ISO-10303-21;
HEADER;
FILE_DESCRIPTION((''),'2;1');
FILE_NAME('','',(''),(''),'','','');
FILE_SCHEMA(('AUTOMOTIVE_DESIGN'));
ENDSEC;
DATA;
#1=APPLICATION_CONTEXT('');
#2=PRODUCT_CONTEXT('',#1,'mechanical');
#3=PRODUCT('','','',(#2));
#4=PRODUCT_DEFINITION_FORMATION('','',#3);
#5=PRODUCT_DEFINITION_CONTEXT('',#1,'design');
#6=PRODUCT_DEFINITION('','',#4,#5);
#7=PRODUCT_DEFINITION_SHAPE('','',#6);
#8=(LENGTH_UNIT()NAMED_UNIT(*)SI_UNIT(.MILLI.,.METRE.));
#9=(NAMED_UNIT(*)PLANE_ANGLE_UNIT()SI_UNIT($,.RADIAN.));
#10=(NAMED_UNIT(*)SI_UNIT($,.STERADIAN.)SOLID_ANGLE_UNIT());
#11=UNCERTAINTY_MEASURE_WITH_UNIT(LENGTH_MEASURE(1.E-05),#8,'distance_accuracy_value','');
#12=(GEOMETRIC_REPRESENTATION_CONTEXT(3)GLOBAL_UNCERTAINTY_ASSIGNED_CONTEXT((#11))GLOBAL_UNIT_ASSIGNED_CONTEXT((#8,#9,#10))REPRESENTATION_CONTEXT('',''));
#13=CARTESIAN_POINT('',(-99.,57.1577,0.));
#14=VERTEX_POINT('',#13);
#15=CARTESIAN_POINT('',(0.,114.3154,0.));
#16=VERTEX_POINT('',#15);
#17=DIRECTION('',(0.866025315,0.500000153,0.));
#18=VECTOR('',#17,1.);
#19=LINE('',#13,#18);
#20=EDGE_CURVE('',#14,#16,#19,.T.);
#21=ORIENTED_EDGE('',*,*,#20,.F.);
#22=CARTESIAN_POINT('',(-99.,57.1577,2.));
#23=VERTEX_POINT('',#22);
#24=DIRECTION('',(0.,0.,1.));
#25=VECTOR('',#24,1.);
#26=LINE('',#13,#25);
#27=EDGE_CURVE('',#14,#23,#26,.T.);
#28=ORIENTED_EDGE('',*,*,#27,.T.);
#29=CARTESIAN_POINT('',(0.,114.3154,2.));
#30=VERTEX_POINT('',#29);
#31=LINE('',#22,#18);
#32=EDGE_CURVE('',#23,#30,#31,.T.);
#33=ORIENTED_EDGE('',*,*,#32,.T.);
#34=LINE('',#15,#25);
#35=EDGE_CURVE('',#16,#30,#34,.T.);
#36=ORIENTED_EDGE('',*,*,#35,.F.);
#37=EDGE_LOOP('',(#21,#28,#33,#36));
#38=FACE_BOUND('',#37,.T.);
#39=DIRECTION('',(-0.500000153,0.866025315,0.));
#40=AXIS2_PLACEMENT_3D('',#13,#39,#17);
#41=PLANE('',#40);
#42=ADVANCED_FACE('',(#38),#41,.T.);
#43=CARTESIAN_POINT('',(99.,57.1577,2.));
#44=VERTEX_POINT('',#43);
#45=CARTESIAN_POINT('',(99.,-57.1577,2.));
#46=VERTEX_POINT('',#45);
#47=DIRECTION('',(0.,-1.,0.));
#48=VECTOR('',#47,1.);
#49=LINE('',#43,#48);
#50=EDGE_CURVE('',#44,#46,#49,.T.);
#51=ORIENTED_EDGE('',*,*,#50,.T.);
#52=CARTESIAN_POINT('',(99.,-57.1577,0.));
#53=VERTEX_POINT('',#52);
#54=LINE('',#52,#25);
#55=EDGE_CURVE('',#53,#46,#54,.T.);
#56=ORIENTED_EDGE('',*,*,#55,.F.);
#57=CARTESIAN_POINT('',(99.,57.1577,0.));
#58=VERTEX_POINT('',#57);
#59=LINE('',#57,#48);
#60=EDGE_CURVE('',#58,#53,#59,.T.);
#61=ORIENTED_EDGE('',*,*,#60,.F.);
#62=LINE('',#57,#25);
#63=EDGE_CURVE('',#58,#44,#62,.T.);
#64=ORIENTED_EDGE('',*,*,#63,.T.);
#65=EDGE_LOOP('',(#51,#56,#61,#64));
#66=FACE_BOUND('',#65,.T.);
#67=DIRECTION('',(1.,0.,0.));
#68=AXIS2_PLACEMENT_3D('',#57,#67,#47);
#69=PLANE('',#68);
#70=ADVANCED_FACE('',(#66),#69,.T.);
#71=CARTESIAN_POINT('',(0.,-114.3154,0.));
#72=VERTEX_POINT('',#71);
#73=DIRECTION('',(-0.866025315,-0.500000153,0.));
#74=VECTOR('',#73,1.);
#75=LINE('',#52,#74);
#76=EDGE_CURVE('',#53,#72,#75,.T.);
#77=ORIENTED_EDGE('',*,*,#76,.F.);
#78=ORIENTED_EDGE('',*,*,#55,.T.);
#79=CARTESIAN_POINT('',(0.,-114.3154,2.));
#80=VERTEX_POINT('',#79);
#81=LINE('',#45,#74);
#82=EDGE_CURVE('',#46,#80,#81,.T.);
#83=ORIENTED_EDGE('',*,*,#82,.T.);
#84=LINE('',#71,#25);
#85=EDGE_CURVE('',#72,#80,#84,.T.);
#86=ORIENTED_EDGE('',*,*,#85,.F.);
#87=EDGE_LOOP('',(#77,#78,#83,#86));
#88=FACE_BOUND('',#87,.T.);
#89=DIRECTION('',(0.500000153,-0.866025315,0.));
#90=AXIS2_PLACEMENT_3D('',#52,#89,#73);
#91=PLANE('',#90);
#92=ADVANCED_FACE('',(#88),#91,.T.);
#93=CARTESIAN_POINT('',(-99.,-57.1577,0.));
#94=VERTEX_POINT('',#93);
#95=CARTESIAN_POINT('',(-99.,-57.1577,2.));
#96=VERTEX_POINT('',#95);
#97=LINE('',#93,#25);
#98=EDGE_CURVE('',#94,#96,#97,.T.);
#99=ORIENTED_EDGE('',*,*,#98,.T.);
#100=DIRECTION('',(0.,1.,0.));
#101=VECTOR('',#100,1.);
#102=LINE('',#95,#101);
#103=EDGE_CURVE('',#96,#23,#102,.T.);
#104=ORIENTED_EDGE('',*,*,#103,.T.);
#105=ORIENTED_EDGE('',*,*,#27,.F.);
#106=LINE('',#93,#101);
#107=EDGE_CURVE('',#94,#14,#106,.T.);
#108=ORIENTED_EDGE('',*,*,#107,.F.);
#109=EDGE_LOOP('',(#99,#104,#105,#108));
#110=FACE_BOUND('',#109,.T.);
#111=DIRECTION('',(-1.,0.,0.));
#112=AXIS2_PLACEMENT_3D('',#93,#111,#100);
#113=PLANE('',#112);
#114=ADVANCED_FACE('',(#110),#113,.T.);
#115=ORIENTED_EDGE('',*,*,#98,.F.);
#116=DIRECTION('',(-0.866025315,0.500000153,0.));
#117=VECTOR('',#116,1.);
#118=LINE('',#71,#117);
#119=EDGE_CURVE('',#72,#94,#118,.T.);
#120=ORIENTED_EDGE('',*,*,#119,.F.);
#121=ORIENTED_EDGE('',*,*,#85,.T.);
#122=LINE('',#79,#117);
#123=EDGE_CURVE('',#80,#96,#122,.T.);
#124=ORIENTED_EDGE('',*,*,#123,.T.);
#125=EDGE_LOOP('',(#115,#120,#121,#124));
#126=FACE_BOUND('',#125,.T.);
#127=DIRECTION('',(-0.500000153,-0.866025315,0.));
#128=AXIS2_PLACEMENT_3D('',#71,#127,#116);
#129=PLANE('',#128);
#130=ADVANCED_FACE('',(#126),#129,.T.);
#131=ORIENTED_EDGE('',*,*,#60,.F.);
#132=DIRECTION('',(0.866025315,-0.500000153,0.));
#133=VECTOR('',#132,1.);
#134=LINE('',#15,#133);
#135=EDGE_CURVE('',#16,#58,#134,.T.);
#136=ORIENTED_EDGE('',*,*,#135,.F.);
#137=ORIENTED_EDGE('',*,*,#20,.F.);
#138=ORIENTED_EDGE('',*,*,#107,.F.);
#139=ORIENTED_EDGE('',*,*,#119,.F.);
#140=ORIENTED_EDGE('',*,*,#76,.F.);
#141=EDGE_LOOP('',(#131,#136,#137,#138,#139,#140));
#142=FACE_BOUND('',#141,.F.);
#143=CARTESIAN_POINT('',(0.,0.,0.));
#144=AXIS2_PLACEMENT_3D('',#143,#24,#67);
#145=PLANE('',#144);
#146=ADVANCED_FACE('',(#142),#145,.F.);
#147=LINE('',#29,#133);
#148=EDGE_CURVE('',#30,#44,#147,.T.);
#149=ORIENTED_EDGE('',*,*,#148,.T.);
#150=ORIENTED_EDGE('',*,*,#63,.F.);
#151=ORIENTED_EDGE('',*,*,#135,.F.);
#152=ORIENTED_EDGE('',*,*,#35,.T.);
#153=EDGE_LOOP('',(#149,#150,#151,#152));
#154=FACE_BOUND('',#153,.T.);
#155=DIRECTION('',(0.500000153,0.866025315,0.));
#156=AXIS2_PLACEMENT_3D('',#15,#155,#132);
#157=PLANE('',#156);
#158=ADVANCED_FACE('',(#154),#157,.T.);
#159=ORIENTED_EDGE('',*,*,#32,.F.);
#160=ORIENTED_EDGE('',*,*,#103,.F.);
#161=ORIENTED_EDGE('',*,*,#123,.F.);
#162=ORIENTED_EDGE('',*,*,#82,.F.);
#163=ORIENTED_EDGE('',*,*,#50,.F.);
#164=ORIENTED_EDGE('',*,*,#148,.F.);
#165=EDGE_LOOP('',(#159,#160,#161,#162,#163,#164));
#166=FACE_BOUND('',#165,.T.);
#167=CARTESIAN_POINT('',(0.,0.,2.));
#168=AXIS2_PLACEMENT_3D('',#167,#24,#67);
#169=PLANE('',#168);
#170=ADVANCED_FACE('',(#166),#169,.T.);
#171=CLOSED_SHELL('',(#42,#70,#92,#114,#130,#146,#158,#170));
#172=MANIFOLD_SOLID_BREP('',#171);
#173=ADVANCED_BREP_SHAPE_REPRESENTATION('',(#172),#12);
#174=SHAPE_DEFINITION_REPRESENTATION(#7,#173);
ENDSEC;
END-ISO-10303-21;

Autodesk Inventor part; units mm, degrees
ref_plane "YZ Plane" through (0, 0, 0) normal (1, 0, 0) x (0, 1, 0)
ref_plane "XZ Plane" through (0, 0, 0) normal (0, 1, 0) x (-1, 0, 0)
ref_plane "XY Plane" through (0, 0, 0) normal (0, 0, 1) x (1, 0, 0)
sketch "Sketch8" plane through (0, 0, 0) normal (0, 0, 1) x (1, 0, 0)
  circle A0 centre (0, 0) radius 82
  line L0 (99, -57.1577) -> (0, -114.3154)
  line L1 (0, -114.3154) -> (-99, -57.1577)
  line L2 (-99, -57.1577) -> (-99, 57.1577)
  line L3 (-99, 57.1577) -> (0, 114.3154)
  line L4 (0, 114.3154) -> (99, 57.1577)
  line L5 (99, 57.1577) -> (99, -57.1577)
  dimension "d44" = 164
  dimension "d47" = 198
extrude "Plate3" add sketch "Sketch8" along normal blind 2 contours A0 | L0 L1 L2 L3 L4 L5
equation "\"d48\" = Thickness"
equation "\"BendReliefWidth\" = Thickness"
equation "\"BendReliefDepth\" = 0.5 * Thickness"
equation "\"CornerReliefSize\" = 4 * Thickness"
equation "\"MinimumRemnant\" = 2 * Thickness"
equation "\"TransitionRadius\" = BendRadius"
equation "\"JacobiRadiusSize\" = BendRadius"
equation "\"GapSize\" = Thickness"
equation "\"Octaeder_side\" = d41"
equation "\"Octaeder_flange_lenth\" = d42"
equation "\"Thickness\" = 2"
equation "\"BendRadius\" = 6"
equation "\"d41\" = 55.918831"
equation "\"d42\" = 72.5"
properties part number "DSB 126 hex cup" material "Stainless Steel"
